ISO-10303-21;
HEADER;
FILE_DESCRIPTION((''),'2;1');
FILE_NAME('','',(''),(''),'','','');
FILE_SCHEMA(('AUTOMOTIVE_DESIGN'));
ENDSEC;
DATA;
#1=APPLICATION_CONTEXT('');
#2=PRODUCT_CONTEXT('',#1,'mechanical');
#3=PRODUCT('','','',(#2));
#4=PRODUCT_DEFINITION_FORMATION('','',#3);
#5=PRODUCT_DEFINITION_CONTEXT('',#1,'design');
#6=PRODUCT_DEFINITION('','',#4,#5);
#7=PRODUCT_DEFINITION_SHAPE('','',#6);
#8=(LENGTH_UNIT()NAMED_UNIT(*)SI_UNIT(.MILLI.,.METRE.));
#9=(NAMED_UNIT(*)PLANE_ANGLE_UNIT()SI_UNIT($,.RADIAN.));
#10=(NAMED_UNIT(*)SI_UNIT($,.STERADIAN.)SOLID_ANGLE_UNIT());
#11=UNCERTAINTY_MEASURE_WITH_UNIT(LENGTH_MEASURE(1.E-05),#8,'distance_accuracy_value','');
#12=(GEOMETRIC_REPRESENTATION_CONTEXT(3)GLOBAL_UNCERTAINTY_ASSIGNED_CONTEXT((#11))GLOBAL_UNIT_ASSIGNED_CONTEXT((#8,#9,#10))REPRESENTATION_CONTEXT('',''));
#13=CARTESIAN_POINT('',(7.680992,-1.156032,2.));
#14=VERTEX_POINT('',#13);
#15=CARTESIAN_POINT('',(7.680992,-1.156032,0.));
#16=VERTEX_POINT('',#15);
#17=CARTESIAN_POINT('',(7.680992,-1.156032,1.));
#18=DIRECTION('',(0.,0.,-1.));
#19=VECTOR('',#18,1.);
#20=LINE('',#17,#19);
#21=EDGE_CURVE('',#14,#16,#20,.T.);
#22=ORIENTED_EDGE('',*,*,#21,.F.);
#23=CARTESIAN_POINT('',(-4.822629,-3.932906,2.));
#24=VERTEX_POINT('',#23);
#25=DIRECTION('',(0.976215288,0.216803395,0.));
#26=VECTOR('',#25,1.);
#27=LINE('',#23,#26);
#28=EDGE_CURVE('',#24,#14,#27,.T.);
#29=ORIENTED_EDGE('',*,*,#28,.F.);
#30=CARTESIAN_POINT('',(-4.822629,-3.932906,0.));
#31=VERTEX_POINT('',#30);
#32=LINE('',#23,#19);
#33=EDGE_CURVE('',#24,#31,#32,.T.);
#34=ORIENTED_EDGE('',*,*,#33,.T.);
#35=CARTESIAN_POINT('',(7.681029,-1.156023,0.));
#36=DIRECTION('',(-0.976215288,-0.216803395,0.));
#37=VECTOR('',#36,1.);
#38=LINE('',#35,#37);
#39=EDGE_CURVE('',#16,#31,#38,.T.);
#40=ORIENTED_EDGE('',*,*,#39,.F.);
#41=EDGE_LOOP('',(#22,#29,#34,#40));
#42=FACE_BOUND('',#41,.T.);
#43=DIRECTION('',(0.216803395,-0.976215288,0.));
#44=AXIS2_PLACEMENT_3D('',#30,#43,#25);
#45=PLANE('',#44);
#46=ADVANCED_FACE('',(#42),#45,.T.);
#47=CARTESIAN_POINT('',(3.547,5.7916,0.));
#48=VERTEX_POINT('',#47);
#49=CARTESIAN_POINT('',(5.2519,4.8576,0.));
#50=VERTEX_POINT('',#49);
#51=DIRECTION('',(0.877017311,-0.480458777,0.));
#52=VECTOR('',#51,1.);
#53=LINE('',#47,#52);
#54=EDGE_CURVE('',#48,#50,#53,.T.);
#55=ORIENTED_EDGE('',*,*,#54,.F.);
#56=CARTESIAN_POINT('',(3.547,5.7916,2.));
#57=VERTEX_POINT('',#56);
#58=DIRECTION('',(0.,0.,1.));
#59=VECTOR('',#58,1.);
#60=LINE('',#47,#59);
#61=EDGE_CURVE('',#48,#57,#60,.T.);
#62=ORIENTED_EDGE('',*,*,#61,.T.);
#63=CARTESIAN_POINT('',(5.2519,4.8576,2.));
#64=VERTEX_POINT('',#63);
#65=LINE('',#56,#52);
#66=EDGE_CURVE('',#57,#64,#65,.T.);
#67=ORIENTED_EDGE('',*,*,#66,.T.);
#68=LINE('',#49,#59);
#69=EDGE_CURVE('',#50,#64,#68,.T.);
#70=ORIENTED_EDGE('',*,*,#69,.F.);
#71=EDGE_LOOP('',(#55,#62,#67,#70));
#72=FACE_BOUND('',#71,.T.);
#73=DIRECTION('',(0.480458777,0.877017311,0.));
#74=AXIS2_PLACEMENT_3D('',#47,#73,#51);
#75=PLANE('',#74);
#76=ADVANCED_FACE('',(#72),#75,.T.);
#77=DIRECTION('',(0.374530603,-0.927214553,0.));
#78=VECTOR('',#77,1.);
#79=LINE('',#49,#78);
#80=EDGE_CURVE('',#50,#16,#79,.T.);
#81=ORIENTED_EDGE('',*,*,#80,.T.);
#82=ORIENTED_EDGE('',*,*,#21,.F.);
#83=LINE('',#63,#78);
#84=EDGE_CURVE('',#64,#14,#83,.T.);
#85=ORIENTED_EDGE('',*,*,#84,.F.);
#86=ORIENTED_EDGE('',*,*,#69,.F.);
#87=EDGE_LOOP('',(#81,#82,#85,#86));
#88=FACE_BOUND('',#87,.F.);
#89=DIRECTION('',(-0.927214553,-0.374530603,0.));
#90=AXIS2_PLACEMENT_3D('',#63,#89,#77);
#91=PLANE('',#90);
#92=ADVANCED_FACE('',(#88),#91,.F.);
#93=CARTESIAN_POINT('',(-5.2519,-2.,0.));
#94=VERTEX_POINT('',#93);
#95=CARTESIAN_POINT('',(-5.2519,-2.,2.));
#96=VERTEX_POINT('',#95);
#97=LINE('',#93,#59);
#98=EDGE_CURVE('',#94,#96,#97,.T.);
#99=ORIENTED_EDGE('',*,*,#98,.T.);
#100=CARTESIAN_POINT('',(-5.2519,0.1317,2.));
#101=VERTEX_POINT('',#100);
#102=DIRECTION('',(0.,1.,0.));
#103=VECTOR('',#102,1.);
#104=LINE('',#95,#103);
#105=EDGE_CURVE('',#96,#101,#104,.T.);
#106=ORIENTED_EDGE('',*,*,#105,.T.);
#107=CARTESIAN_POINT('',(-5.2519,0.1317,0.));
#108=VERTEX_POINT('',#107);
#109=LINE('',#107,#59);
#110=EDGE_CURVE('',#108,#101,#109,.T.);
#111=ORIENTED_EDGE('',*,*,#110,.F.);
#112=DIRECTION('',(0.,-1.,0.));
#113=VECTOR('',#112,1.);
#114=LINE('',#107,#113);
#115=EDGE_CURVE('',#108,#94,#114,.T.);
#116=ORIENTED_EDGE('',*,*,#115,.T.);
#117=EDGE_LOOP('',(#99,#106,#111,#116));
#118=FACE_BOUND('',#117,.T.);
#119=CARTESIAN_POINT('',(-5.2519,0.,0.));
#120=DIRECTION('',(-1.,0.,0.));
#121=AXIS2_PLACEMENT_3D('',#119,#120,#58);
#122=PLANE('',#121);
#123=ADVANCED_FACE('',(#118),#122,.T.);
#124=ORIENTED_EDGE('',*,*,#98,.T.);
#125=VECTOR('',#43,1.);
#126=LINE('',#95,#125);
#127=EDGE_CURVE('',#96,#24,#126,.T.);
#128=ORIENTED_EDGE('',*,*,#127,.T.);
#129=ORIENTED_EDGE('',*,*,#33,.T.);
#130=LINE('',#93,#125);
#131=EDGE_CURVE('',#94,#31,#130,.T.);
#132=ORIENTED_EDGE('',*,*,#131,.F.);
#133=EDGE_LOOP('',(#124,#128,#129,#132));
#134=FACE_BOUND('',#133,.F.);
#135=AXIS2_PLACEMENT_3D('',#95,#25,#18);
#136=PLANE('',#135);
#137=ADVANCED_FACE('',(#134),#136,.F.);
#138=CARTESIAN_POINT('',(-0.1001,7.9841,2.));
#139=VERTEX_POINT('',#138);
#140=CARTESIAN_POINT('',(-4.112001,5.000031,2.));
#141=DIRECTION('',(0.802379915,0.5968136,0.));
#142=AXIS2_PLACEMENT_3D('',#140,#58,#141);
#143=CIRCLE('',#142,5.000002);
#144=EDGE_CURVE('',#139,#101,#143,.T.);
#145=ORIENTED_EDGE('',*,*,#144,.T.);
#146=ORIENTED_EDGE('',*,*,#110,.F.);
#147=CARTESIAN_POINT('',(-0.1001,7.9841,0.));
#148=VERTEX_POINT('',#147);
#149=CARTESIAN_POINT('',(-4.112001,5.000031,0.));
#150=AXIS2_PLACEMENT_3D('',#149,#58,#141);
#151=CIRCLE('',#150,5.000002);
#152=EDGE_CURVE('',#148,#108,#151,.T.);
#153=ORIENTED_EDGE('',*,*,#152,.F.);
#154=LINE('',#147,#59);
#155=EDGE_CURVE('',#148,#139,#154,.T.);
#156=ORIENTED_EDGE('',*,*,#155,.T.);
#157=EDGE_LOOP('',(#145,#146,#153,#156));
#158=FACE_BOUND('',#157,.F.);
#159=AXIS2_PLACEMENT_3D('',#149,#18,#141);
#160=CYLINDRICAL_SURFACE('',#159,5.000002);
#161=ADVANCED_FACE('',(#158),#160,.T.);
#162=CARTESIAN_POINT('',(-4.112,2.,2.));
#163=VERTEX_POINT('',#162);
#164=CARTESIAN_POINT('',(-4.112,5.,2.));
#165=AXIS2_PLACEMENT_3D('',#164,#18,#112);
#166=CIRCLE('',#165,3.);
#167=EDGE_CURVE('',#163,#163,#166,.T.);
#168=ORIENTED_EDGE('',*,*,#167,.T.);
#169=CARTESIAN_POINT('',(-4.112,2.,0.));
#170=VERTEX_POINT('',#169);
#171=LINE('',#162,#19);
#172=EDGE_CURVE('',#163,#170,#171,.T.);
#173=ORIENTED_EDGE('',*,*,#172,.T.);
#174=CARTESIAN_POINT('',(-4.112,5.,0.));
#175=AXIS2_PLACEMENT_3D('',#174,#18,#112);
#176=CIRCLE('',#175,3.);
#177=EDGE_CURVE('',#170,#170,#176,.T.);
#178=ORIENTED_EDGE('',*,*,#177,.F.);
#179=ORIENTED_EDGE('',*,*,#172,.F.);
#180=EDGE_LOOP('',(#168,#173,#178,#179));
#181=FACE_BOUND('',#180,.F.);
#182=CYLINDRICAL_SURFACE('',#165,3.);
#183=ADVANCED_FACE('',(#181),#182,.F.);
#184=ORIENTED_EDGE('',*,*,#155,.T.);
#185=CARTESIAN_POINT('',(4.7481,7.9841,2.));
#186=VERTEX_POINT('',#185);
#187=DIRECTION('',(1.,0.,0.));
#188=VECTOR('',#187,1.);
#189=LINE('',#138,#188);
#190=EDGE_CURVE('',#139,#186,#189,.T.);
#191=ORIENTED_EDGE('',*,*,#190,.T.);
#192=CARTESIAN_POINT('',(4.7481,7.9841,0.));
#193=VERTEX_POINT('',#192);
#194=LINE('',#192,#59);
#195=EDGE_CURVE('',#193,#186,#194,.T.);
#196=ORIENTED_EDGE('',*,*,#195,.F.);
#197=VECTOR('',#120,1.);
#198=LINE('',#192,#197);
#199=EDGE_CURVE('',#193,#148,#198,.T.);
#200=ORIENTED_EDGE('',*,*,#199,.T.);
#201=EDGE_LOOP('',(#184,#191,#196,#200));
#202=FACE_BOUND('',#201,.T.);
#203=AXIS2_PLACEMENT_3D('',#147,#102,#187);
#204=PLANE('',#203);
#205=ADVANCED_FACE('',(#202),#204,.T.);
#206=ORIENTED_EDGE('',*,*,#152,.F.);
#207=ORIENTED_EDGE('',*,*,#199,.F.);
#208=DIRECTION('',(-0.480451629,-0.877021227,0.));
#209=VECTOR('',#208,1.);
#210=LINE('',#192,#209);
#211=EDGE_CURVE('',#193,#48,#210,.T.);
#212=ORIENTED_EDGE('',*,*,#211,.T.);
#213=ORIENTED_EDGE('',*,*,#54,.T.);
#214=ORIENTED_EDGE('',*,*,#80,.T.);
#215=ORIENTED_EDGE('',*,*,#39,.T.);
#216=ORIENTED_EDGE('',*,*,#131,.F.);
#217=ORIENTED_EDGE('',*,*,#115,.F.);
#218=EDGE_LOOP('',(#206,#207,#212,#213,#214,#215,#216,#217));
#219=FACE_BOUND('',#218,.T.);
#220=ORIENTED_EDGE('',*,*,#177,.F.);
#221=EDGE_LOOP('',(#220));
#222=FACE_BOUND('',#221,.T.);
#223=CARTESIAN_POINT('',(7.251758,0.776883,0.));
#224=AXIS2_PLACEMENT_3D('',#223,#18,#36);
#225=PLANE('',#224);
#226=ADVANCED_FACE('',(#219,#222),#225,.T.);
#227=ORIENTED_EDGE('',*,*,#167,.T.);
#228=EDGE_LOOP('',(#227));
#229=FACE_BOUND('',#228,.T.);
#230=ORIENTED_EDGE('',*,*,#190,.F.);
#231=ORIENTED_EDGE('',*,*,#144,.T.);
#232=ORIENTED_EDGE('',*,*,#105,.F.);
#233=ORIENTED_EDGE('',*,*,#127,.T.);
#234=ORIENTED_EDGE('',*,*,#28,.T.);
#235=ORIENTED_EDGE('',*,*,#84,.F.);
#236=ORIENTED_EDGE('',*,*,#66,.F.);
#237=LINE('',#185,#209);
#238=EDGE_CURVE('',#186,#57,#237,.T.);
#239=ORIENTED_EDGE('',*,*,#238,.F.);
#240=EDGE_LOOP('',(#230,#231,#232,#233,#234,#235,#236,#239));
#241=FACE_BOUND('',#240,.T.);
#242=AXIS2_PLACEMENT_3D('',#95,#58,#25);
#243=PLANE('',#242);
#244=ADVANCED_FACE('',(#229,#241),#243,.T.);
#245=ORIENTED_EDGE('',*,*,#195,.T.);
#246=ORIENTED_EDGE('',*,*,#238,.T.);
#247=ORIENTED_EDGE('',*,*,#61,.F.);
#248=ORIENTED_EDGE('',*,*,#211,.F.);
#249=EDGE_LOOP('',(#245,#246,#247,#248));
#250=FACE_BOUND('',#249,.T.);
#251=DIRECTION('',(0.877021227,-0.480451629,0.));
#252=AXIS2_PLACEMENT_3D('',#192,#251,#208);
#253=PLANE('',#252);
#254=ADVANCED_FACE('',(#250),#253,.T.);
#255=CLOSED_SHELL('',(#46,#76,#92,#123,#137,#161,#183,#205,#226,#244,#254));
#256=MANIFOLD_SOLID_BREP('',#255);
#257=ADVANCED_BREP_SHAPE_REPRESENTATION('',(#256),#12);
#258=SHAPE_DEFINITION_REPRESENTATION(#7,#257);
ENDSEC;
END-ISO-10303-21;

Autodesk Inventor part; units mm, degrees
ref_plane "YZ Plane" through (0, 0, 0) normal (1, 0, 0) x (0, 1, 0)
ref_plane "XZ Plane" through (0, 0, 0) normal (0, 1, 0) x (-1, 0, 0)
ref_plane "XY Plane" through (0, 0, 0) normal (0, 0, 1) x (1, 0, 0)
sketch "Skizze1" plane through (0, 0, 0) normal (0, 0, 1) x (1, 0, 0)
  line L0 (-0.1001, 7.9841) -> (4.7481, 7.9841)
  line L1 (5.2519, 4.8576) -> (5.2519, 0)
  line L2 (5.2519, 0) -> (-5.2519, 0)
  line L3 (-5.2519, 0) -> (-5.2519, 0.1317)
  line L4 (0, 14.3325) -> (0, -2.5319) projected
  line L5 (-14.2928, 0) -> (8.5093, 0) projected
  line L6 (4.7481, 7.9841) -> (3.547, 5.7916)
  line L7 (3.547, 5.7916) -> (5.2519, 4.8576)
  arc A0 (-0.1001, 7.9841) -> (-5.2519, 0.1317) centre (-4.112, 5) ccw
  point P0 (0, 0)
  dimension "d34" = 8
  dimension "d36" = 2.5
  dimension "d40" = 10
  dimension "d41" = 61.286
  dimension "d42" = 5.2519
  dimension "d43" = 7.9841
  dimension "d44" = 0.1002
extrude "Extrusion2" add sketch "Skizze1" along normal blind 2
sketch "Skizze4" plane through (0, 0, 2) normal (0, 0, 1) x (1, 0, 0)
  arc A0 (-0.1001, 7.9841) -> (-5.2519, 0.1317) centre (-4.112, 5) ccw projected
  point P0 (0, 0)
hole "Bohrung2" at (-4.112, 5, 2) direction (0, 0, -1) diameter 6 end through all
sketch "Skizze5" plane through (-5.2519, 0, 0) normal (0, -1, 0) x (1, 0, 0)
  line L0 (0, 0) -> (10.5038, 0) projected
  line L1 (10.5038, 0) -> (10.5038, 2) projected
  line L2 (0, 2) -> (10.5038, 2) projected
  line L3 (0, 0) -> (0, 2) projected
  point P0 (5.2519, 0)
extrude "Extrusion3" add sketch "Skizze5" along normal blind 2
sketch "Skizze6" plane through (5.2519, 4.8576, 2) normal (1, 0, 0) x (0, 0, -1)
  line L0 (2, 0) -> (2, -6.8576) projected
  line L1 (2, 0) -> (0, 0) projected
  line L2 (0, 0) -> (0, -6.8576) projected
  line L3 (2, -6.8576) -> (0, -6.8576) projected
  point P0 (2, -4.8576)
extrude "Extrusion4" add sketch "Skizze6" along normal blind 2
sketch "Skizze7" plane through (0, 0, 2) normal (0, 0, 1) x (1, 0, 0)
  line L0 (-5.2519, -2) -> (7.2519, -2) projected
  line L1 (7.2519, 4.8576) -> (7.2519, -2) projected
  line L2 (-5.2519, -2) -> (7.2519, 0.7766)
  line L3 (-5.2519, -2) -> (7.5565, -2) construction
  point P0 (0, 0)
  dimension "d56" = 12.52
extrude "Extrusion5" cut sketch "Skizze7" against normal blind 2
sketch "Skizze8" plane through (-5.2519, -2, 0) normal (0.2168, -0.9762, 0) x (0.9762, 0.2168, 0)
  line L0 (0, 2) -> (12.8083, 2) projected
  line L1 (0, 2) -> (0, 0) projected
  line L2 (12.8083, 0) -> (0, 0) projected
  line L3 (12.8083, 2) -> (12.8083, 0) projected
  point P0 (5.5605, 0)
extrude "Extrusion6" add sketch "Skizze8" along normal blind 1.98
sketch "Skizze9" plane through (0, 0, 2) normal (0, 0, 1) x (1, 0, 0)
  line L0 (7.2519, 4.8576) -> (7.2519, 0.7766) projected
  line L1 (5.2519, 4.8576) -> (7.2519, 4.8576) projected
  line L2 (7.6811, -1.1563) -> (-4.8227, -3.9329) projected
  line L3 (7.2519, 0.7766) -> (7.6811, -1.1563) projected
  line L4 (5.2519, 4.8576) -> (7.6811, -1.1563)
  point P0 (0, 0)
extrude "Extrusion7" cut sketch "Skizze9" against normal blind 2
properties part number "Kontakt" material "2.0265 CuZn30(Bronze/weich)"
